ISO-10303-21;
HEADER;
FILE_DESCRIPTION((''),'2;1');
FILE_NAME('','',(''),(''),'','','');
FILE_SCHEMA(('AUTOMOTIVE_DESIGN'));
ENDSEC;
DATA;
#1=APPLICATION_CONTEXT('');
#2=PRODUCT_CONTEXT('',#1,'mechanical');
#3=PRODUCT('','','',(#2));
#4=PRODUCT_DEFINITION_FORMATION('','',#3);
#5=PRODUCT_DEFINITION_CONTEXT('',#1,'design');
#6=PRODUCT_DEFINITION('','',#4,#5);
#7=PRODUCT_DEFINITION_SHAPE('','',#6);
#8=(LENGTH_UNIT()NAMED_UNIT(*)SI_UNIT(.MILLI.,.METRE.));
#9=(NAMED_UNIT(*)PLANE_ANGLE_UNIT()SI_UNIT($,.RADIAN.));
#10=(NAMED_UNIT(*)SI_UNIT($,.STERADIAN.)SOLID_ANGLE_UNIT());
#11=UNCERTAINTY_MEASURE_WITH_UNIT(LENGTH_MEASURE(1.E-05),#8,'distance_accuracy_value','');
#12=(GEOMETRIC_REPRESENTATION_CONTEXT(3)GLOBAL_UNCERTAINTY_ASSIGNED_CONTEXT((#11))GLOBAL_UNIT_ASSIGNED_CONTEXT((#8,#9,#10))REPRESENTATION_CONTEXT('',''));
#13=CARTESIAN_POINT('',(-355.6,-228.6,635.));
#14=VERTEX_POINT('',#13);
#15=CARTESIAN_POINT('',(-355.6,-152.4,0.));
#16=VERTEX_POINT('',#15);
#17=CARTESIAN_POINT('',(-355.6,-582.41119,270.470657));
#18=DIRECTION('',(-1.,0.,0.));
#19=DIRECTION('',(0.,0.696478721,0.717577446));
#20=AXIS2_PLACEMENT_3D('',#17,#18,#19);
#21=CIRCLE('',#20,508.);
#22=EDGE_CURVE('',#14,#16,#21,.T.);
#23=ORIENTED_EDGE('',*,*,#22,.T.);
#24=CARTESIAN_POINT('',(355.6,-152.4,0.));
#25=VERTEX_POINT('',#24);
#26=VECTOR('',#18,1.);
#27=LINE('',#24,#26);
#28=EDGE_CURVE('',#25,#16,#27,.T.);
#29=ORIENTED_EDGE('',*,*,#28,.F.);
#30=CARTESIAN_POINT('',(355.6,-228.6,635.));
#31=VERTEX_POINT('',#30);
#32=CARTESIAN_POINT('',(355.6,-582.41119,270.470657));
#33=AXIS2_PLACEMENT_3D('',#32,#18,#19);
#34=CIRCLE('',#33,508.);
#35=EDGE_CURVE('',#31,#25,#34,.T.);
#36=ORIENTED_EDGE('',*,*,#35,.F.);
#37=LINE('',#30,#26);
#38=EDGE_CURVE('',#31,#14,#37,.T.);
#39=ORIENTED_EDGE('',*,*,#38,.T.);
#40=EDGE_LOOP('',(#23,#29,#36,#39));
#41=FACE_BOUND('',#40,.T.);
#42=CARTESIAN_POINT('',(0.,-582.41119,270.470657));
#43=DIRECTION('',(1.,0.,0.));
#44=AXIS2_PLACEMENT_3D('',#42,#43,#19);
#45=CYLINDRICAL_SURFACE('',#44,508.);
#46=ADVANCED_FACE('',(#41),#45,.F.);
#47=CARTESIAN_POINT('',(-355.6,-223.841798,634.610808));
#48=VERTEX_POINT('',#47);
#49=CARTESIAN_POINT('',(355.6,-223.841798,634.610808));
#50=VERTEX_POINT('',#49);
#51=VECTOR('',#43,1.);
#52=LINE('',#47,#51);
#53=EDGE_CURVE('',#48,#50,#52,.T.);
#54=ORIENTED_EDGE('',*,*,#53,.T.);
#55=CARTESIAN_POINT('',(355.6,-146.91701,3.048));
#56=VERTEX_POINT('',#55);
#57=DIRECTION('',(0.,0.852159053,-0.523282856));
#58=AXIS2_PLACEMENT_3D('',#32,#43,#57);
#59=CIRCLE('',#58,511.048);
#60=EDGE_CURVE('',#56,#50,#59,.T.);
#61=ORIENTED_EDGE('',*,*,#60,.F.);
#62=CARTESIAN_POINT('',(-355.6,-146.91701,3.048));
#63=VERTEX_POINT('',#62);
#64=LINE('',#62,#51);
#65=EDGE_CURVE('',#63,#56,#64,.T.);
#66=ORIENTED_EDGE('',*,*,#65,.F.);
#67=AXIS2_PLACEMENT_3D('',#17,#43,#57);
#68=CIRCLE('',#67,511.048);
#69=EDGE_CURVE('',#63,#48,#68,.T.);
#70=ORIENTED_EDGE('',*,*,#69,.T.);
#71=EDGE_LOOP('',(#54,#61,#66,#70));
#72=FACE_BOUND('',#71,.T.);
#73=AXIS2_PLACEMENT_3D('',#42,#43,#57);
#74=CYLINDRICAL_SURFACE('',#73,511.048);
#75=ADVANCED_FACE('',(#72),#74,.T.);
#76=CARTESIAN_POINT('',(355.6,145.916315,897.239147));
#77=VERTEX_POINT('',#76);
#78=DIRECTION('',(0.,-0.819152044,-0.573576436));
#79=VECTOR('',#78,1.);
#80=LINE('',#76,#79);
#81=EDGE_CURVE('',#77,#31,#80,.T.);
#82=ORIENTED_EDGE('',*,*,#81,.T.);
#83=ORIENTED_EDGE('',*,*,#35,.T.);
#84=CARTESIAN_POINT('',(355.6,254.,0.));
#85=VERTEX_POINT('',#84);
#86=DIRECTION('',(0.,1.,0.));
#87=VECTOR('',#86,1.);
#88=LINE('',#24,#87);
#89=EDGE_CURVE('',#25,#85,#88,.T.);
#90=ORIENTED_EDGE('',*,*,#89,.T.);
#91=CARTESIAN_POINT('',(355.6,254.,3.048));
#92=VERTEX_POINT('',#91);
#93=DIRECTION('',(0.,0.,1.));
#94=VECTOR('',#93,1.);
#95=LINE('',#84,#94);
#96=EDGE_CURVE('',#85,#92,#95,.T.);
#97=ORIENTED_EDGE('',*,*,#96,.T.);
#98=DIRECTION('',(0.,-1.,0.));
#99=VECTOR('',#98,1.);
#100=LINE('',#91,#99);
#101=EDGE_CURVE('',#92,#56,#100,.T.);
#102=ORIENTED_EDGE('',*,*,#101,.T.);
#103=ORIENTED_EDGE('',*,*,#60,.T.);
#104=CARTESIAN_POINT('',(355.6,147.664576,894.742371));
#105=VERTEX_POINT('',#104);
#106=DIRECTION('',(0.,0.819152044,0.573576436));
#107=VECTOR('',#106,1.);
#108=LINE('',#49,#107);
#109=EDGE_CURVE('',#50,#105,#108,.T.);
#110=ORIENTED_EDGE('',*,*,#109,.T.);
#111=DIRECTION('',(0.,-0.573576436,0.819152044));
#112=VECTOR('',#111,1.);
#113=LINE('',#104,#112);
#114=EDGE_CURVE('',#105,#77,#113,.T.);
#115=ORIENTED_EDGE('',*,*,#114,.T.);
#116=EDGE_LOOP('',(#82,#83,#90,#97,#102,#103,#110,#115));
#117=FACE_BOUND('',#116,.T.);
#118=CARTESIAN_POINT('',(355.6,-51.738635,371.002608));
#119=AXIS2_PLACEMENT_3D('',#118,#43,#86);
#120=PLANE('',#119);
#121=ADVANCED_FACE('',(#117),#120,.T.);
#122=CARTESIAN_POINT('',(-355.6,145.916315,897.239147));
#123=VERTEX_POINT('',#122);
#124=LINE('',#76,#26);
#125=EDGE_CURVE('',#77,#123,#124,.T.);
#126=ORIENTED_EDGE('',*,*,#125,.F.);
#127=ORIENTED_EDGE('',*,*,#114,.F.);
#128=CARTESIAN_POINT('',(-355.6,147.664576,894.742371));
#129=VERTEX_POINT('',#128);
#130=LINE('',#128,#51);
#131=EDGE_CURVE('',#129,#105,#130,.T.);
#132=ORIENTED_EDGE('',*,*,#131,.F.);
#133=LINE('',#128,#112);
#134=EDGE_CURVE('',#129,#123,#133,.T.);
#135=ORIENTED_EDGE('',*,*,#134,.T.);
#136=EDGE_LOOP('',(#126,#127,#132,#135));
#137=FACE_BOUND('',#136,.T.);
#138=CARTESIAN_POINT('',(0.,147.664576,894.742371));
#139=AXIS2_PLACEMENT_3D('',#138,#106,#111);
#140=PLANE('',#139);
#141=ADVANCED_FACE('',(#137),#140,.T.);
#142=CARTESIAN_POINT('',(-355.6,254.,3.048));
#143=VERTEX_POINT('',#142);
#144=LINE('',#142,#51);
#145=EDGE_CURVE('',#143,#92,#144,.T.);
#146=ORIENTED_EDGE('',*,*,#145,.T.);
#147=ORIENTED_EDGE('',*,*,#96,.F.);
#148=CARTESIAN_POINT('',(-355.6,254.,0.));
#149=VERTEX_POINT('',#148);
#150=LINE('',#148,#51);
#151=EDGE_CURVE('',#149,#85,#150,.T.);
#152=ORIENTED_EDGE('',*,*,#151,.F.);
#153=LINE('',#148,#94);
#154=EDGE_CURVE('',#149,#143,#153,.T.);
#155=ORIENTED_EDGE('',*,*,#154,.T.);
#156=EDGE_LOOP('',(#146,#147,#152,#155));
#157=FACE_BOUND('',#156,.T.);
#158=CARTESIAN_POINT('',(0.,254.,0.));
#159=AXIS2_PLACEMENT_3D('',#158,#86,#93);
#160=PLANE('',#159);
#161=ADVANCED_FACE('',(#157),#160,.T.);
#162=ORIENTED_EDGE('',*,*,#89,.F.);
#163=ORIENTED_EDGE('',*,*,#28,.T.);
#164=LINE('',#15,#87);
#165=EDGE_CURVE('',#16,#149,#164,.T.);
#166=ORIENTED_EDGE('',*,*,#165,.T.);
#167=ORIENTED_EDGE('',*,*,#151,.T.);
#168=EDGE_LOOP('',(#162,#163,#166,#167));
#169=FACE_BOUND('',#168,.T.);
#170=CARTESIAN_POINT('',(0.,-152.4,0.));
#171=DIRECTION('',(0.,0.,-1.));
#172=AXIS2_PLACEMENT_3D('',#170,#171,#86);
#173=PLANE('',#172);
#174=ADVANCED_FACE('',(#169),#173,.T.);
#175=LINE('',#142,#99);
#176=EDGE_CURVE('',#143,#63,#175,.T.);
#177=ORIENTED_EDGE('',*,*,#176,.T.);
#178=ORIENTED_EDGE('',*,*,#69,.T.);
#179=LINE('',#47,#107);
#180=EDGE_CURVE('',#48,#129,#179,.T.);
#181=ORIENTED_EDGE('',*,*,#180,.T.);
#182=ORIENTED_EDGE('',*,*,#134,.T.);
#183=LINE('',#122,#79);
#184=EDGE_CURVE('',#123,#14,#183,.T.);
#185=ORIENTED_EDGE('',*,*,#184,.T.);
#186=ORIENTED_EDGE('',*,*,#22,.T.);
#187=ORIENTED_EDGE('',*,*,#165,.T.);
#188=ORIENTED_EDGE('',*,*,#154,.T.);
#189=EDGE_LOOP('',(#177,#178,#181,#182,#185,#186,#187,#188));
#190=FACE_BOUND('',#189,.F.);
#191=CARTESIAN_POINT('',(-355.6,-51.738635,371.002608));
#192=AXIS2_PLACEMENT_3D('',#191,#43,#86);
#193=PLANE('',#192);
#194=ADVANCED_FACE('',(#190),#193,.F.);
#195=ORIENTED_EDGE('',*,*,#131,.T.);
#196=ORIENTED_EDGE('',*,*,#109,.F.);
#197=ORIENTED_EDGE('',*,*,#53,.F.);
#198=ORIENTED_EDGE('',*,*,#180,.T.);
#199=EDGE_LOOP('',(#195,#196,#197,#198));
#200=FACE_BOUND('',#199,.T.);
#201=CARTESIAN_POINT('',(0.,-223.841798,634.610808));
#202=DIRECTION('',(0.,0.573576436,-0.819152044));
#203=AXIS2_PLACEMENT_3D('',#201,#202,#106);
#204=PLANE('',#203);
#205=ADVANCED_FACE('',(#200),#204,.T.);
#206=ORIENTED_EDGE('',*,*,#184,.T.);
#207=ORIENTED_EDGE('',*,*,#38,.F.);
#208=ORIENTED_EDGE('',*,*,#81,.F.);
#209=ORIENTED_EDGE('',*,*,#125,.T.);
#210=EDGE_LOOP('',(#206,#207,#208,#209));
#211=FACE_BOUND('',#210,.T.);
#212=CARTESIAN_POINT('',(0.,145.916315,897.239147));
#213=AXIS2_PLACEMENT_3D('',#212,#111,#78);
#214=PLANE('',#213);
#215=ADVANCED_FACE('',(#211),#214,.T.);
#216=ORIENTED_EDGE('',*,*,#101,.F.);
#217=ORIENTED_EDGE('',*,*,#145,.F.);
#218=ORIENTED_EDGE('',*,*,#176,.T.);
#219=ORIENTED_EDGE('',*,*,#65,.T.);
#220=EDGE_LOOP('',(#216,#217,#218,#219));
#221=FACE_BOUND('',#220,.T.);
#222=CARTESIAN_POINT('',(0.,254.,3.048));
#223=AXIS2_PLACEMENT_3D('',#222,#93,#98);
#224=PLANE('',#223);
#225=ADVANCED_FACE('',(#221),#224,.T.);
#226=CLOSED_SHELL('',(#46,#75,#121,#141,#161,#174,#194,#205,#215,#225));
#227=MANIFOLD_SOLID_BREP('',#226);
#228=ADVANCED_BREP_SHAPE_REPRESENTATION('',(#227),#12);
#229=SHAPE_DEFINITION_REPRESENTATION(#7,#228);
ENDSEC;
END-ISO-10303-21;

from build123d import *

# Parameters (mm, degrees)
F1_DEPTH = 35.56
F2_SCALE = 10


with BuildPart() as f1:
    # F0 (on Right) → F1 (new body, symmetric)
    with BuildSketch(Plane.YZ):
        with BuildLine():
            Line((-15.24, 0), (25.4, 0))
            Line((25.4, 0), (25.4, 0.3048))
            Line((25.4, 0.3048), (-14.6917010188, 0.3048))
            ThreePointArc((-14.6917010188, 0.3048), (-7.5112329288, 33.2260010127), (-22.3841798034, 63.4610807938))
            Line((-22.3841798034, 63.4610807938), (14.7664575627, 89.4742371269))
            Line((14.7664575627, 89.4742371269), (14.5916314649, 89.72391467))
            Line((14.5916314649, 89.72391467), (-22.86, 63.5))
            ThreePointArc((-22.86, 63.5), (-7.8029756135, 33.0996429264), (-15.24, 0))
        make_face()
    extrude(amount=F1_DEPTH, both=True)


with BuildPart() as f1_1:
    # F2: moved
    add(f1.part.scale(F2_SCALE))


solid = f1_1.part
